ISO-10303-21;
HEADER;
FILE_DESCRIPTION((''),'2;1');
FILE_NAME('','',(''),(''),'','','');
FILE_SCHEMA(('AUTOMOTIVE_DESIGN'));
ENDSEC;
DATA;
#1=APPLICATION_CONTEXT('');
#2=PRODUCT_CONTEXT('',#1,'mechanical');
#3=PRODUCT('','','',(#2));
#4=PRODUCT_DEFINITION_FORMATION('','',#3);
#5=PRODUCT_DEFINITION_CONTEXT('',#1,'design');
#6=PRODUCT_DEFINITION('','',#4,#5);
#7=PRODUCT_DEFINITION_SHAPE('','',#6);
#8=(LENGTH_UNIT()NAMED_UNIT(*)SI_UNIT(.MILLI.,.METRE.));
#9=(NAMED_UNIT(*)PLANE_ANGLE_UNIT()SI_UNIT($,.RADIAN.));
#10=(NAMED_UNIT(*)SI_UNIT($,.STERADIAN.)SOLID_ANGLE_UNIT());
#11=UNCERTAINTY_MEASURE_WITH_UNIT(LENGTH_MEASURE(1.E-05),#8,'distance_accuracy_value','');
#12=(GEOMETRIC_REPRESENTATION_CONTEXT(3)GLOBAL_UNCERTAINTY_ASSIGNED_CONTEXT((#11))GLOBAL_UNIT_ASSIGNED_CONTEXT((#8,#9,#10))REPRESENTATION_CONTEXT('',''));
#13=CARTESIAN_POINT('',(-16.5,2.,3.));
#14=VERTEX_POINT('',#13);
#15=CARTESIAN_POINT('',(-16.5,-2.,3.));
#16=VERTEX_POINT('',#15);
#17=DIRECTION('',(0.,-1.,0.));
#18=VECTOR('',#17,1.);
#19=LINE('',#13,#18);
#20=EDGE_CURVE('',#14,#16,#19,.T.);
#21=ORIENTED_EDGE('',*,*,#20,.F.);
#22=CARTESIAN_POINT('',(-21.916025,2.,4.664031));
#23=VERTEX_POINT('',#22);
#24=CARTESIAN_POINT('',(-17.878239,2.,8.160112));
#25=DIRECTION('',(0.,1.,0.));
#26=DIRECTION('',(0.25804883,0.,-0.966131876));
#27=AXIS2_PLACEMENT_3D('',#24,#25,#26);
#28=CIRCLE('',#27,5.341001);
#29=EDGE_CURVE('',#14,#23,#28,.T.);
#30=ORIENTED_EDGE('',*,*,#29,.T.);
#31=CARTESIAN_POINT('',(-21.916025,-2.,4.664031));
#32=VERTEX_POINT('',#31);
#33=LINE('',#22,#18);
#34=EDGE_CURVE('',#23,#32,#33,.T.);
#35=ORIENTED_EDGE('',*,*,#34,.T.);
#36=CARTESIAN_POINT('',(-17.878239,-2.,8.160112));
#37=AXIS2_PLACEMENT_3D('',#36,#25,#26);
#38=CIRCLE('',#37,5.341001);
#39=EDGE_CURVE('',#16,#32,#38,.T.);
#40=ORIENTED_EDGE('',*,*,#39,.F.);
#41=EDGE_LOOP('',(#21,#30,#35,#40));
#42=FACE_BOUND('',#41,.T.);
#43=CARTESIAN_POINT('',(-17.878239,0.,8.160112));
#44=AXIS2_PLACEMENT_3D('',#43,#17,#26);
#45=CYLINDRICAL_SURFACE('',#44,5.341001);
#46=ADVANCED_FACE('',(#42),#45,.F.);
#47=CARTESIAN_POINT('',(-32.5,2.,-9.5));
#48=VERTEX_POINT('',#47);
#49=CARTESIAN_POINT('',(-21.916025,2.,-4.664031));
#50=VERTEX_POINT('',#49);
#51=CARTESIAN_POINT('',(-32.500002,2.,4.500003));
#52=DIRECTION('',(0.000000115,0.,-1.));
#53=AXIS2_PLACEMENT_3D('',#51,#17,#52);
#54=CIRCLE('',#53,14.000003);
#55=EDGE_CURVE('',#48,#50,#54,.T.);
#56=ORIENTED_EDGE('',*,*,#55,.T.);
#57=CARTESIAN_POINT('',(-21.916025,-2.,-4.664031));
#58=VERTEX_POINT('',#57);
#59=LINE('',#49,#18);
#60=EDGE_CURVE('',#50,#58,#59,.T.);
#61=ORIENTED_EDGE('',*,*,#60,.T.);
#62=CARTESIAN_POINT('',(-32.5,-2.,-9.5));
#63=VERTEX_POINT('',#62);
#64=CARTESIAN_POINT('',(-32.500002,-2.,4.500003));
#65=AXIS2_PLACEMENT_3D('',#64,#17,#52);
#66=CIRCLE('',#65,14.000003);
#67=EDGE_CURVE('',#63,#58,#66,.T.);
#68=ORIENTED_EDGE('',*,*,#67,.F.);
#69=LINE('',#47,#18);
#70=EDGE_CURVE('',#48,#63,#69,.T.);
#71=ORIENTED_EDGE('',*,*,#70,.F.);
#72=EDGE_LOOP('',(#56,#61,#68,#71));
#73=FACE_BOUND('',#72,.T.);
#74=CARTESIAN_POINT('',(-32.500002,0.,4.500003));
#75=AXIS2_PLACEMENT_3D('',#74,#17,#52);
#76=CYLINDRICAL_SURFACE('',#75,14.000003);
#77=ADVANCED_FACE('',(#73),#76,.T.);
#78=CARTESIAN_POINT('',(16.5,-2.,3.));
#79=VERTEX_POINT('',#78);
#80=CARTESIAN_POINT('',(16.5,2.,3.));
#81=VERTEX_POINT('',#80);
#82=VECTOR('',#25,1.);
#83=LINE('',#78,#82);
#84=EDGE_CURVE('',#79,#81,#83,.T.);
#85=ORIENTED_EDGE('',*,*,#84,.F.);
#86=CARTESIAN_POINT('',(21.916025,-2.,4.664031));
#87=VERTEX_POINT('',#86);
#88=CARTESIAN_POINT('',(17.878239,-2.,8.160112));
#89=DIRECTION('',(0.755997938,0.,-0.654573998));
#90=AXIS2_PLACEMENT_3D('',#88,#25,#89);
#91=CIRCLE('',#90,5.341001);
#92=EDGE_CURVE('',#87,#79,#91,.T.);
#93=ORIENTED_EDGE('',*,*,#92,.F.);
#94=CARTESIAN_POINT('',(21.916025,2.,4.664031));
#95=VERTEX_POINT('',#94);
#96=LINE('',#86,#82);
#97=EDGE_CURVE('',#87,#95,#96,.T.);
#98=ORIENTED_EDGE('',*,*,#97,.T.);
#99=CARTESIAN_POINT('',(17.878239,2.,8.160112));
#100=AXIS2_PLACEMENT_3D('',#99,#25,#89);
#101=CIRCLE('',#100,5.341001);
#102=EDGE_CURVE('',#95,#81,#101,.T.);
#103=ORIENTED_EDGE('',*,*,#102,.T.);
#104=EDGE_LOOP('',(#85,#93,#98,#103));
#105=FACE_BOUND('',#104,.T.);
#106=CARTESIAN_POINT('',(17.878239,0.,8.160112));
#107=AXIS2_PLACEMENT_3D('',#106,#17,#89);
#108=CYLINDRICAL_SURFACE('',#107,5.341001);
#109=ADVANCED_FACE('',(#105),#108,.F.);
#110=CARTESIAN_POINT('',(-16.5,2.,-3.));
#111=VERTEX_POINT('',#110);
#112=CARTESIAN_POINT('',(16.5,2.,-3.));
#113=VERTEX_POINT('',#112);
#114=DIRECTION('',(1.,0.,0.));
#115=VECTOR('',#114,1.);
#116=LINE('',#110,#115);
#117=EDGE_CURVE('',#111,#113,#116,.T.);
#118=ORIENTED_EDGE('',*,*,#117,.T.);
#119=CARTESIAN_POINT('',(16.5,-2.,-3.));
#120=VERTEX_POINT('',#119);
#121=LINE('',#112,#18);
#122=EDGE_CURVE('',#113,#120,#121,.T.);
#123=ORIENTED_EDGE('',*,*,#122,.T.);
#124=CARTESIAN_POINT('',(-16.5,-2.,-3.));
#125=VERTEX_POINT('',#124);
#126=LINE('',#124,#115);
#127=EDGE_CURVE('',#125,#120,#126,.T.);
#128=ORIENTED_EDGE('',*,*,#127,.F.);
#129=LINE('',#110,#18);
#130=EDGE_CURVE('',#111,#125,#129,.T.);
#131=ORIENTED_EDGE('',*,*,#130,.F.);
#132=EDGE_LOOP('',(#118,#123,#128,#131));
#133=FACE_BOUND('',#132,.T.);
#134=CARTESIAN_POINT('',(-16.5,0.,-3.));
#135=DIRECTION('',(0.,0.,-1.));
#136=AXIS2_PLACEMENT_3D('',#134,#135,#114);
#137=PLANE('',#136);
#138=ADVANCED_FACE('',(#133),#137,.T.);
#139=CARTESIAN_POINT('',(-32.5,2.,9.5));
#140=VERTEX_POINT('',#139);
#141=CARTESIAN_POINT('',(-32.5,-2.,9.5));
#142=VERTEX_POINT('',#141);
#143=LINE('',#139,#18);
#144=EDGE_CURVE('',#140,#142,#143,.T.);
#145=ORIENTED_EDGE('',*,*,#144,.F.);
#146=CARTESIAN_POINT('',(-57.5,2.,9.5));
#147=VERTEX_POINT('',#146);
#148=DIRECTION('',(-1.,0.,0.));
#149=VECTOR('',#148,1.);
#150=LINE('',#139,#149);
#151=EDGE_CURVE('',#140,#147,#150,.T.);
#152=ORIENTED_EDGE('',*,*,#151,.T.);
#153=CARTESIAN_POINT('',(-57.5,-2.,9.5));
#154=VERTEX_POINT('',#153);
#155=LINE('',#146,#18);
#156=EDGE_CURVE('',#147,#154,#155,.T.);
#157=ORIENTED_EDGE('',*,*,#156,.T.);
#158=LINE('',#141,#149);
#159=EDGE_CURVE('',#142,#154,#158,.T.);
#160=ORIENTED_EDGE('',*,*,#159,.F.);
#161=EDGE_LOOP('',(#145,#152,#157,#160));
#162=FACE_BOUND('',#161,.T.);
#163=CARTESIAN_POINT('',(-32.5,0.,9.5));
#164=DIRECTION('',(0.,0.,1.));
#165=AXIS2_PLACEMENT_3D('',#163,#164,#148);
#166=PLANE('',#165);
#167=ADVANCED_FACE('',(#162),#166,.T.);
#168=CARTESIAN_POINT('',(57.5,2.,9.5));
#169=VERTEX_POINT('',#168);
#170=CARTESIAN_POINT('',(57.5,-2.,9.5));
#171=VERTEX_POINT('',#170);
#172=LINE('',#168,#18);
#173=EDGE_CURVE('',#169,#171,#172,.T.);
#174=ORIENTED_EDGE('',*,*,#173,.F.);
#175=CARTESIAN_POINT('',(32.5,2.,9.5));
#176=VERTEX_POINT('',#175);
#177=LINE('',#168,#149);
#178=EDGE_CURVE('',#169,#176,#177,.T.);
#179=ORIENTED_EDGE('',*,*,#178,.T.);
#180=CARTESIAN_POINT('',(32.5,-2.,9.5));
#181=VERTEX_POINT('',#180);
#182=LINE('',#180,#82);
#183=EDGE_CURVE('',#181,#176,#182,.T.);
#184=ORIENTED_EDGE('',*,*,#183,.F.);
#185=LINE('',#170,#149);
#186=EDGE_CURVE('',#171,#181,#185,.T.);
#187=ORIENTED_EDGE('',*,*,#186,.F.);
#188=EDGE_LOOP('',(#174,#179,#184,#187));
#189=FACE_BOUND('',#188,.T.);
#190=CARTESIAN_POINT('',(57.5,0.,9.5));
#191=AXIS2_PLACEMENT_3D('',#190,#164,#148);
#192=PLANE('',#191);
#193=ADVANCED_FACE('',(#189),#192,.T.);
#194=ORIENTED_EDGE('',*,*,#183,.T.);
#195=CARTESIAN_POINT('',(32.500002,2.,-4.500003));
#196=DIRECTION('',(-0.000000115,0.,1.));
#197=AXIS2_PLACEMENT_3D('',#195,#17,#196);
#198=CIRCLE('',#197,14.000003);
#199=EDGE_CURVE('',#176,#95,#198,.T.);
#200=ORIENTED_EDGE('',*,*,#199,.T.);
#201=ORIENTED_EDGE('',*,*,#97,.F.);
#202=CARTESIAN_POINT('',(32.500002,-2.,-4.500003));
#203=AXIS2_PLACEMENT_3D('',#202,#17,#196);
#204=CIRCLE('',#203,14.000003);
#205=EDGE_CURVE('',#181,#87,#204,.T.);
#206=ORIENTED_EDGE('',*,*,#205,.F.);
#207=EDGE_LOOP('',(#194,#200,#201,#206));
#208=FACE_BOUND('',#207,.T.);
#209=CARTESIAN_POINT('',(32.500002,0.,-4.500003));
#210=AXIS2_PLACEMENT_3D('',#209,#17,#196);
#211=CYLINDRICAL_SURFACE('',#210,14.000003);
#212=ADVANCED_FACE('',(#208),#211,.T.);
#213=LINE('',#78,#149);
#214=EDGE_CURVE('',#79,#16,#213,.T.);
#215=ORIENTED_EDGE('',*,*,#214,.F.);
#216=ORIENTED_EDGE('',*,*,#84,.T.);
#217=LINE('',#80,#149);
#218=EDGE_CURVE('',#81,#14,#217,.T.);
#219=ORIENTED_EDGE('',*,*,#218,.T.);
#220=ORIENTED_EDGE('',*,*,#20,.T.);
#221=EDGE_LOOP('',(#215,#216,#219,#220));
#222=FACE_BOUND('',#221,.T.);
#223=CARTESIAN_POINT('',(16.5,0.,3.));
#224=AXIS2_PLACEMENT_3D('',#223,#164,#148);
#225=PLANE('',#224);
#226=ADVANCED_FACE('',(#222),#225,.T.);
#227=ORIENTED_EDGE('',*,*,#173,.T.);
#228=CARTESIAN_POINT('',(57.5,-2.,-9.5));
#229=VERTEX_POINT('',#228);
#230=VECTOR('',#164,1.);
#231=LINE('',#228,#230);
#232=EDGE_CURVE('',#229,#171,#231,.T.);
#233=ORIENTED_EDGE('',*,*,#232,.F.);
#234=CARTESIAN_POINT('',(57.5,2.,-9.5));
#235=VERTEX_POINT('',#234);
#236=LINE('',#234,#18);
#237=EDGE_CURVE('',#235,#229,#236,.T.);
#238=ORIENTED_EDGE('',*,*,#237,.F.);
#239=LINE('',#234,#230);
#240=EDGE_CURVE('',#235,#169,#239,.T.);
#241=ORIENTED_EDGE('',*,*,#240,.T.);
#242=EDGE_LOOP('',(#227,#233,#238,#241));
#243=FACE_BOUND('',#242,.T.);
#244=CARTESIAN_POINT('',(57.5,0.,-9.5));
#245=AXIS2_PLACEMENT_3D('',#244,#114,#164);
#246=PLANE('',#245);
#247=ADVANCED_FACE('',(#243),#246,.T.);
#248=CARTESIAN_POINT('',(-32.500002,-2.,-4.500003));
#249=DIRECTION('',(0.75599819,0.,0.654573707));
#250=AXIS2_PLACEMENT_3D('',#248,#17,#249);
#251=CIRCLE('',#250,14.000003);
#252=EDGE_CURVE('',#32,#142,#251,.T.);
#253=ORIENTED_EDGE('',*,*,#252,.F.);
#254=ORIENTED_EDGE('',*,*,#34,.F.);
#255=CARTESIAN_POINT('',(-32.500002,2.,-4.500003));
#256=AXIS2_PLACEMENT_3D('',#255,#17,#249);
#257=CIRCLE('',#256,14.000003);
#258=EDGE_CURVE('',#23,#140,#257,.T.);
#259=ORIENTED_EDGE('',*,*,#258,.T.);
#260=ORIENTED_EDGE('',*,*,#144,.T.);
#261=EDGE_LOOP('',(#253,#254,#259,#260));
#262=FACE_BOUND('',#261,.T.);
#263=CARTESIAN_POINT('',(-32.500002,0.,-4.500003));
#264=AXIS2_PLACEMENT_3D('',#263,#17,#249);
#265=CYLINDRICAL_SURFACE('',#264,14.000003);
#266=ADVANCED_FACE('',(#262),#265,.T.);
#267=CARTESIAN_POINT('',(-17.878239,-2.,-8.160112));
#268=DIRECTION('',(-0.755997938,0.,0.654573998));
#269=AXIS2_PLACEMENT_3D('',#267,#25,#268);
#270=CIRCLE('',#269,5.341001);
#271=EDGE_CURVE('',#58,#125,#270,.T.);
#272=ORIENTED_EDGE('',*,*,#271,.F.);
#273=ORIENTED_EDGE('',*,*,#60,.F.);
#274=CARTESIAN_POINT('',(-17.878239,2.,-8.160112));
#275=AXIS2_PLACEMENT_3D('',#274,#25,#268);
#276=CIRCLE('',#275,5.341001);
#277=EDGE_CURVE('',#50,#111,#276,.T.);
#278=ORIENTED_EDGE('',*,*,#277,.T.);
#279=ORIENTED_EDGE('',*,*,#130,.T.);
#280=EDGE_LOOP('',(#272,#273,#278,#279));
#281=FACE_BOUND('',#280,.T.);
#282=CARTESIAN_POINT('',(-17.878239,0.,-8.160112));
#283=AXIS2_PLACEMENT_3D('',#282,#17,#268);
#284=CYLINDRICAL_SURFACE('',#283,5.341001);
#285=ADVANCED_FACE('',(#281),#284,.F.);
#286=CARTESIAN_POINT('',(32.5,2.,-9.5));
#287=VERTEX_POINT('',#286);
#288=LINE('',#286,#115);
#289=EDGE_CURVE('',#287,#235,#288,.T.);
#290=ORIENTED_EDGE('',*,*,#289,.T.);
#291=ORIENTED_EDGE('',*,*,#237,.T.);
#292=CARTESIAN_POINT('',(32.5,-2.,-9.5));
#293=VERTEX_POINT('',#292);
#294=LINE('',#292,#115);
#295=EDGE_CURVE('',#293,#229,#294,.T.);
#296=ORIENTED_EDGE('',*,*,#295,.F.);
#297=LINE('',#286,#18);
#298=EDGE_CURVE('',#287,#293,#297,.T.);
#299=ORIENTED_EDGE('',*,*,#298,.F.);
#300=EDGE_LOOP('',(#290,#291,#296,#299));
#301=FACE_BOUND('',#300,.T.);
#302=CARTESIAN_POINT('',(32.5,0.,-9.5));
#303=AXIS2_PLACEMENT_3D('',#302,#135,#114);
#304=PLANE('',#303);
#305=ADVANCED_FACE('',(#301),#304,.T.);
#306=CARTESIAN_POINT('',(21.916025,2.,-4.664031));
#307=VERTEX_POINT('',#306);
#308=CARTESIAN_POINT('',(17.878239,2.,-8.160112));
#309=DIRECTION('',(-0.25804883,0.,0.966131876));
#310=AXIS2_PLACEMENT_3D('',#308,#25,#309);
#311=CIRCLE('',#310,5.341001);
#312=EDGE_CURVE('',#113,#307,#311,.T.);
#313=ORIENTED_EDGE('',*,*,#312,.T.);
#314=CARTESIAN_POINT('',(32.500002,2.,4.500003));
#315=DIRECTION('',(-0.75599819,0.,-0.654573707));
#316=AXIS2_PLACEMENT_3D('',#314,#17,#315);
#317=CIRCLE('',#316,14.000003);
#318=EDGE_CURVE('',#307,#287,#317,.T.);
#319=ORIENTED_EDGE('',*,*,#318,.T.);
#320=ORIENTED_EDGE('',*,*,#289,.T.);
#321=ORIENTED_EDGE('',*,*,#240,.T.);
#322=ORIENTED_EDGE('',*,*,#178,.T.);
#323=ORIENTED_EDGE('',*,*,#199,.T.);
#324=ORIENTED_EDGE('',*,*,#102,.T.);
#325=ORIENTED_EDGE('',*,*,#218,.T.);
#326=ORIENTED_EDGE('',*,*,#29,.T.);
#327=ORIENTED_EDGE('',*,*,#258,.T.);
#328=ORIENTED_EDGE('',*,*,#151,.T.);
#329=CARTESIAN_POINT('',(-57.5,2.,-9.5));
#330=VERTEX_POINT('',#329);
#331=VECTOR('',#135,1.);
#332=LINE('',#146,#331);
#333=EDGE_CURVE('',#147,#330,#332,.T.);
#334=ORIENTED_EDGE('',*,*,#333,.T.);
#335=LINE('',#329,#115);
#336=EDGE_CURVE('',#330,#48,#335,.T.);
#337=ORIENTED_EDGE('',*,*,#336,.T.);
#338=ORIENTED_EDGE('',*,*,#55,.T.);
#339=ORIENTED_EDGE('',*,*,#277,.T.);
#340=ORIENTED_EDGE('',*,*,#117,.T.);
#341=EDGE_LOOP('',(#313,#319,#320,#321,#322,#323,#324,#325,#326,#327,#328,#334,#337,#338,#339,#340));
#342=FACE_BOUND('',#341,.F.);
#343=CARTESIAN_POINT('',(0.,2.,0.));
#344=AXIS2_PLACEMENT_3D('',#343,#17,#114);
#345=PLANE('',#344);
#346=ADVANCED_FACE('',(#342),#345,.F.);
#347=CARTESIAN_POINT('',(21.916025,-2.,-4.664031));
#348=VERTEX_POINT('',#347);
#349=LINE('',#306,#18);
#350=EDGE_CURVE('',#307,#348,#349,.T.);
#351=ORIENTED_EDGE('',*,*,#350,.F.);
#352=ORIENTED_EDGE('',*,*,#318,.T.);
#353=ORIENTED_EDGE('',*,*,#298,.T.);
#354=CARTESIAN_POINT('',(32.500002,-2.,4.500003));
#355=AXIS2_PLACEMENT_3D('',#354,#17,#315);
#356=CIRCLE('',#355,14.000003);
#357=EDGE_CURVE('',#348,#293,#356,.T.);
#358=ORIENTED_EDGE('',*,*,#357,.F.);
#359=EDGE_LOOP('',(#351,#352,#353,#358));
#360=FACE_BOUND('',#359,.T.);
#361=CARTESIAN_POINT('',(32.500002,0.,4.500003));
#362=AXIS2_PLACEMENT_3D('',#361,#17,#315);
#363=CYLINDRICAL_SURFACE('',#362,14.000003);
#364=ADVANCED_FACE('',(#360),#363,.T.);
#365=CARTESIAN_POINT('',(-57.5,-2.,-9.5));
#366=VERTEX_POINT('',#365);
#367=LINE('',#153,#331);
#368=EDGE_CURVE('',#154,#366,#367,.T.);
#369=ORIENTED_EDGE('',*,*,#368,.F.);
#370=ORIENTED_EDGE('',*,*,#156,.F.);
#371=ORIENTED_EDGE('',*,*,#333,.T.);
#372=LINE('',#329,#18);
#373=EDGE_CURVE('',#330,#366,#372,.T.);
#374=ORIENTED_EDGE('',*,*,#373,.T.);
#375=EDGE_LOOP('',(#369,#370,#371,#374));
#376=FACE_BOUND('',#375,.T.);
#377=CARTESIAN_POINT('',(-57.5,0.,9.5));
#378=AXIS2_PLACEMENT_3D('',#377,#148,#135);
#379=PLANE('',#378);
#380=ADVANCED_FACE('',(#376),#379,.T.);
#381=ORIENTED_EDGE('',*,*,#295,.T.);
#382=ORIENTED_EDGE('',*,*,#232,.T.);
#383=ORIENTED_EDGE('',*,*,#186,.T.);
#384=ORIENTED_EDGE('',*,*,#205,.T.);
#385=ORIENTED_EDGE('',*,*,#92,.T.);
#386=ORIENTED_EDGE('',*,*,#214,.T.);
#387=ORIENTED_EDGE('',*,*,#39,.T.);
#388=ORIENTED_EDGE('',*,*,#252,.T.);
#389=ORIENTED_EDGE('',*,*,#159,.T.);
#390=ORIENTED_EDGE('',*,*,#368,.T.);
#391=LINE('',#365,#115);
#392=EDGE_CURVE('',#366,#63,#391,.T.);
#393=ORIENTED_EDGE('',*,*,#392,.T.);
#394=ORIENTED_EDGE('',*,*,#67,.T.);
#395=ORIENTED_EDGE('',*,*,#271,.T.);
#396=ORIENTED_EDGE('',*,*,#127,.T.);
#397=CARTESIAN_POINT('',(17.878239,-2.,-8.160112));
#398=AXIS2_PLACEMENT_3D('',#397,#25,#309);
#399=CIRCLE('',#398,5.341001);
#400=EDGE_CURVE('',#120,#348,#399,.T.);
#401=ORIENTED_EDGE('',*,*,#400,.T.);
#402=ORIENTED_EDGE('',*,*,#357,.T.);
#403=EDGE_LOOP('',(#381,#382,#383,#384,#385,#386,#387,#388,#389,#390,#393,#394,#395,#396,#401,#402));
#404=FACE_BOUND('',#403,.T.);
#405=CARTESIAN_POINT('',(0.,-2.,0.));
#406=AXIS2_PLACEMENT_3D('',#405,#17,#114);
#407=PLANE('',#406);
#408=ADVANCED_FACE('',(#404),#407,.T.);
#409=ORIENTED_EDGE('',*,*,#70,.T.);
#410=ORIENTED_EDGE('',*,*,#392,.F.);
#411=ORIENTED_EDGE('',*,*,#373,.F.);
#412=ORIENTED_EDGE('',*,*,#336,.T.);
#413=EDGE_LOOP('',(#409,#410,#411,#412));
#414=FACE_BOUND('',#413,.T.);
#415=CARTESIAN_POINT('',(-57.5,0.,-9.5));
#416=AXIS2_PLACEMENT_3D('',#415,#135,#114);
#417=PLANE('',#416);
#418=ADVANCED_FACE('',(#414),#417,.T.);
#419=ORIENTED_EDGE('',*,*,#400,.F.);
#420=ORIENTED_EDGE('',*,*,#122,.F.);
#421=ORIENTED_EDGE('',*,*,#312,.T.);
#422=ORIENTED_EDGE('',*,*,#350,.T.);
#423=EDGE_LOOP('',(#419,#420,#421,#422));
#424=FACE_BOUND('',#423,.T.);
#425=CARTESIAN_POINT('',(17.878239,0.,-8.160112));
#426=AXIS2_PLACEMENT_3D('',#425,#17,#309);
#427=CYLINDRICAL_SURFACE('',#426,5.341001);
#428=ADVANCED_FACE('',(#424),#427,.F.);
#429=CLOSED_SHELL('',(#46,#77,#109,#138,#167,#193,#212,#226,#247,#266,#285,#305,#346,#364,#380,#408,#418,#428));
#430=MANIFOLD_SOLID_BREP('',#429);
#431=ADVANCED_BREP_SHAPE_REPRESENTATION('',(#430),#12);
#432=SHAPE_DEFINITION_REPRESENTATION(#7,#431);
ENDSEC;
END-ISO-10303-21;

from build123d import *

# Parameters (mm, degrees)
F1_DEPTH = 2
F2_DEPTH = 2


with BuildPart() as f1:
    # F0 (on Front) → F1 (new body, symmetric)
    with BuildSketch(Plane.XZ):
        with BuildLine():
            Line((16.5, 3), (0, 3))
            Line((0, 3), (-16.5, 3))
            ThreePointArc((-16.5, 3), (-19.446852, 3.054649), (-21.916025, 4.664031))
            ThreePointArc((-21.916025, 4.664031), (-26.681772, 8.233743), (-32.5, 9.5))
            Line((-32.5, 9.5), (-57.5, 9.5))
            Line((-57.5, 9.5), (-57.5, -9.5))
            Line((-57.5, -9.5), (-32.5, -9.5))
            ThreePointArc((-32.5, -9.5), (-26.681772, -8.233743), (-21.916025, -4.664031))
            ThreePointArc((-21.916025, -4.664031), (-19.446852, -3.054649), (-16.5, -3))
            Line((-16.5, -3), (0, -3))
            Line((0, -3), (16.5, -3))
            ThreePointArc((16.5, -3), (19.446852, -3.054649), (21.916025, -4.664031))
            ThreePointArc((21.916025, -4.664031), (26.681772, -8.233743), (32.5, -9.5))
            Line((32.5, -9.5), (57.5, -9.5))
            Line((57.5, -9.5), (57.5, 9.5))
            Line((57.5, 9.5), (32.5, 9.5))
            ThreePointArc((32.5, 9.5), (26.681772, 8.233743), (21.916025, 4.664031))
            ThreePointArc((21.916025, 4.664031), (19.446852, 3.054649), (16.5, 3))
        make_face()
    extrude(amount=F1_DEPTH, both=True)

    # F0 (on Front) → F2 (join, symmetric)
    with BuildSketch(Plane.XZ):
        with BuildLine():
            Line((16.5, 3), (0, 3))
            Line((0, 3), (-16.5, 3))
            ThreePointArc((-16.5, 3), (-19.446852, 3.054649), (-21.916025, 4.664031))
            ThreePointArc((-21.916025, 4.664031), (-26.681772, 8.233743), (-32.5, 9.5))
            Line((-32.5, 9.5), (-57.5, 9.5))
            Line((-57.5, 9.5), (-57.5, -9.5))
            Line((-57.5, -9.5), (-32.5, -9.5))
            ThreePointArc((-32.5, -9.5), (-26.681772, -8.233743), (-21.916025, -4.664031))
            ThreePointArc((-21.916025, -4.664031), (-19.446852, -3.054649), (-16.5, -3))
            Line((-16.5, -3), (0, -3))
            Line((0, -3), (16.5, -3))
            ThreePointArc((16.5, -3), (19.446852, -3.054649), (21.916025, -4.664031))
            ThreePointArc((21.916025, -4.664031), (26.681772, -8.233743), (32.5, -9.5))
            Line((32.5, -9.5), (57.5, -9.5))
            Line((57.5, -9.5), (57.5, 9.5))
            Line((57.5, 9.5), (32.5, 9.5))
            ThreePointArc((32.5, 9.5), (26.681772, 8.233743), (21.916025, 4.664031))
            ThreePointArc((21.916025, 4.664031), (19.446852, 3.054649), (16.5, 3))
        make_face()
    extrude(amount=F2_DEPTH, both=True)


solid = f1.part
